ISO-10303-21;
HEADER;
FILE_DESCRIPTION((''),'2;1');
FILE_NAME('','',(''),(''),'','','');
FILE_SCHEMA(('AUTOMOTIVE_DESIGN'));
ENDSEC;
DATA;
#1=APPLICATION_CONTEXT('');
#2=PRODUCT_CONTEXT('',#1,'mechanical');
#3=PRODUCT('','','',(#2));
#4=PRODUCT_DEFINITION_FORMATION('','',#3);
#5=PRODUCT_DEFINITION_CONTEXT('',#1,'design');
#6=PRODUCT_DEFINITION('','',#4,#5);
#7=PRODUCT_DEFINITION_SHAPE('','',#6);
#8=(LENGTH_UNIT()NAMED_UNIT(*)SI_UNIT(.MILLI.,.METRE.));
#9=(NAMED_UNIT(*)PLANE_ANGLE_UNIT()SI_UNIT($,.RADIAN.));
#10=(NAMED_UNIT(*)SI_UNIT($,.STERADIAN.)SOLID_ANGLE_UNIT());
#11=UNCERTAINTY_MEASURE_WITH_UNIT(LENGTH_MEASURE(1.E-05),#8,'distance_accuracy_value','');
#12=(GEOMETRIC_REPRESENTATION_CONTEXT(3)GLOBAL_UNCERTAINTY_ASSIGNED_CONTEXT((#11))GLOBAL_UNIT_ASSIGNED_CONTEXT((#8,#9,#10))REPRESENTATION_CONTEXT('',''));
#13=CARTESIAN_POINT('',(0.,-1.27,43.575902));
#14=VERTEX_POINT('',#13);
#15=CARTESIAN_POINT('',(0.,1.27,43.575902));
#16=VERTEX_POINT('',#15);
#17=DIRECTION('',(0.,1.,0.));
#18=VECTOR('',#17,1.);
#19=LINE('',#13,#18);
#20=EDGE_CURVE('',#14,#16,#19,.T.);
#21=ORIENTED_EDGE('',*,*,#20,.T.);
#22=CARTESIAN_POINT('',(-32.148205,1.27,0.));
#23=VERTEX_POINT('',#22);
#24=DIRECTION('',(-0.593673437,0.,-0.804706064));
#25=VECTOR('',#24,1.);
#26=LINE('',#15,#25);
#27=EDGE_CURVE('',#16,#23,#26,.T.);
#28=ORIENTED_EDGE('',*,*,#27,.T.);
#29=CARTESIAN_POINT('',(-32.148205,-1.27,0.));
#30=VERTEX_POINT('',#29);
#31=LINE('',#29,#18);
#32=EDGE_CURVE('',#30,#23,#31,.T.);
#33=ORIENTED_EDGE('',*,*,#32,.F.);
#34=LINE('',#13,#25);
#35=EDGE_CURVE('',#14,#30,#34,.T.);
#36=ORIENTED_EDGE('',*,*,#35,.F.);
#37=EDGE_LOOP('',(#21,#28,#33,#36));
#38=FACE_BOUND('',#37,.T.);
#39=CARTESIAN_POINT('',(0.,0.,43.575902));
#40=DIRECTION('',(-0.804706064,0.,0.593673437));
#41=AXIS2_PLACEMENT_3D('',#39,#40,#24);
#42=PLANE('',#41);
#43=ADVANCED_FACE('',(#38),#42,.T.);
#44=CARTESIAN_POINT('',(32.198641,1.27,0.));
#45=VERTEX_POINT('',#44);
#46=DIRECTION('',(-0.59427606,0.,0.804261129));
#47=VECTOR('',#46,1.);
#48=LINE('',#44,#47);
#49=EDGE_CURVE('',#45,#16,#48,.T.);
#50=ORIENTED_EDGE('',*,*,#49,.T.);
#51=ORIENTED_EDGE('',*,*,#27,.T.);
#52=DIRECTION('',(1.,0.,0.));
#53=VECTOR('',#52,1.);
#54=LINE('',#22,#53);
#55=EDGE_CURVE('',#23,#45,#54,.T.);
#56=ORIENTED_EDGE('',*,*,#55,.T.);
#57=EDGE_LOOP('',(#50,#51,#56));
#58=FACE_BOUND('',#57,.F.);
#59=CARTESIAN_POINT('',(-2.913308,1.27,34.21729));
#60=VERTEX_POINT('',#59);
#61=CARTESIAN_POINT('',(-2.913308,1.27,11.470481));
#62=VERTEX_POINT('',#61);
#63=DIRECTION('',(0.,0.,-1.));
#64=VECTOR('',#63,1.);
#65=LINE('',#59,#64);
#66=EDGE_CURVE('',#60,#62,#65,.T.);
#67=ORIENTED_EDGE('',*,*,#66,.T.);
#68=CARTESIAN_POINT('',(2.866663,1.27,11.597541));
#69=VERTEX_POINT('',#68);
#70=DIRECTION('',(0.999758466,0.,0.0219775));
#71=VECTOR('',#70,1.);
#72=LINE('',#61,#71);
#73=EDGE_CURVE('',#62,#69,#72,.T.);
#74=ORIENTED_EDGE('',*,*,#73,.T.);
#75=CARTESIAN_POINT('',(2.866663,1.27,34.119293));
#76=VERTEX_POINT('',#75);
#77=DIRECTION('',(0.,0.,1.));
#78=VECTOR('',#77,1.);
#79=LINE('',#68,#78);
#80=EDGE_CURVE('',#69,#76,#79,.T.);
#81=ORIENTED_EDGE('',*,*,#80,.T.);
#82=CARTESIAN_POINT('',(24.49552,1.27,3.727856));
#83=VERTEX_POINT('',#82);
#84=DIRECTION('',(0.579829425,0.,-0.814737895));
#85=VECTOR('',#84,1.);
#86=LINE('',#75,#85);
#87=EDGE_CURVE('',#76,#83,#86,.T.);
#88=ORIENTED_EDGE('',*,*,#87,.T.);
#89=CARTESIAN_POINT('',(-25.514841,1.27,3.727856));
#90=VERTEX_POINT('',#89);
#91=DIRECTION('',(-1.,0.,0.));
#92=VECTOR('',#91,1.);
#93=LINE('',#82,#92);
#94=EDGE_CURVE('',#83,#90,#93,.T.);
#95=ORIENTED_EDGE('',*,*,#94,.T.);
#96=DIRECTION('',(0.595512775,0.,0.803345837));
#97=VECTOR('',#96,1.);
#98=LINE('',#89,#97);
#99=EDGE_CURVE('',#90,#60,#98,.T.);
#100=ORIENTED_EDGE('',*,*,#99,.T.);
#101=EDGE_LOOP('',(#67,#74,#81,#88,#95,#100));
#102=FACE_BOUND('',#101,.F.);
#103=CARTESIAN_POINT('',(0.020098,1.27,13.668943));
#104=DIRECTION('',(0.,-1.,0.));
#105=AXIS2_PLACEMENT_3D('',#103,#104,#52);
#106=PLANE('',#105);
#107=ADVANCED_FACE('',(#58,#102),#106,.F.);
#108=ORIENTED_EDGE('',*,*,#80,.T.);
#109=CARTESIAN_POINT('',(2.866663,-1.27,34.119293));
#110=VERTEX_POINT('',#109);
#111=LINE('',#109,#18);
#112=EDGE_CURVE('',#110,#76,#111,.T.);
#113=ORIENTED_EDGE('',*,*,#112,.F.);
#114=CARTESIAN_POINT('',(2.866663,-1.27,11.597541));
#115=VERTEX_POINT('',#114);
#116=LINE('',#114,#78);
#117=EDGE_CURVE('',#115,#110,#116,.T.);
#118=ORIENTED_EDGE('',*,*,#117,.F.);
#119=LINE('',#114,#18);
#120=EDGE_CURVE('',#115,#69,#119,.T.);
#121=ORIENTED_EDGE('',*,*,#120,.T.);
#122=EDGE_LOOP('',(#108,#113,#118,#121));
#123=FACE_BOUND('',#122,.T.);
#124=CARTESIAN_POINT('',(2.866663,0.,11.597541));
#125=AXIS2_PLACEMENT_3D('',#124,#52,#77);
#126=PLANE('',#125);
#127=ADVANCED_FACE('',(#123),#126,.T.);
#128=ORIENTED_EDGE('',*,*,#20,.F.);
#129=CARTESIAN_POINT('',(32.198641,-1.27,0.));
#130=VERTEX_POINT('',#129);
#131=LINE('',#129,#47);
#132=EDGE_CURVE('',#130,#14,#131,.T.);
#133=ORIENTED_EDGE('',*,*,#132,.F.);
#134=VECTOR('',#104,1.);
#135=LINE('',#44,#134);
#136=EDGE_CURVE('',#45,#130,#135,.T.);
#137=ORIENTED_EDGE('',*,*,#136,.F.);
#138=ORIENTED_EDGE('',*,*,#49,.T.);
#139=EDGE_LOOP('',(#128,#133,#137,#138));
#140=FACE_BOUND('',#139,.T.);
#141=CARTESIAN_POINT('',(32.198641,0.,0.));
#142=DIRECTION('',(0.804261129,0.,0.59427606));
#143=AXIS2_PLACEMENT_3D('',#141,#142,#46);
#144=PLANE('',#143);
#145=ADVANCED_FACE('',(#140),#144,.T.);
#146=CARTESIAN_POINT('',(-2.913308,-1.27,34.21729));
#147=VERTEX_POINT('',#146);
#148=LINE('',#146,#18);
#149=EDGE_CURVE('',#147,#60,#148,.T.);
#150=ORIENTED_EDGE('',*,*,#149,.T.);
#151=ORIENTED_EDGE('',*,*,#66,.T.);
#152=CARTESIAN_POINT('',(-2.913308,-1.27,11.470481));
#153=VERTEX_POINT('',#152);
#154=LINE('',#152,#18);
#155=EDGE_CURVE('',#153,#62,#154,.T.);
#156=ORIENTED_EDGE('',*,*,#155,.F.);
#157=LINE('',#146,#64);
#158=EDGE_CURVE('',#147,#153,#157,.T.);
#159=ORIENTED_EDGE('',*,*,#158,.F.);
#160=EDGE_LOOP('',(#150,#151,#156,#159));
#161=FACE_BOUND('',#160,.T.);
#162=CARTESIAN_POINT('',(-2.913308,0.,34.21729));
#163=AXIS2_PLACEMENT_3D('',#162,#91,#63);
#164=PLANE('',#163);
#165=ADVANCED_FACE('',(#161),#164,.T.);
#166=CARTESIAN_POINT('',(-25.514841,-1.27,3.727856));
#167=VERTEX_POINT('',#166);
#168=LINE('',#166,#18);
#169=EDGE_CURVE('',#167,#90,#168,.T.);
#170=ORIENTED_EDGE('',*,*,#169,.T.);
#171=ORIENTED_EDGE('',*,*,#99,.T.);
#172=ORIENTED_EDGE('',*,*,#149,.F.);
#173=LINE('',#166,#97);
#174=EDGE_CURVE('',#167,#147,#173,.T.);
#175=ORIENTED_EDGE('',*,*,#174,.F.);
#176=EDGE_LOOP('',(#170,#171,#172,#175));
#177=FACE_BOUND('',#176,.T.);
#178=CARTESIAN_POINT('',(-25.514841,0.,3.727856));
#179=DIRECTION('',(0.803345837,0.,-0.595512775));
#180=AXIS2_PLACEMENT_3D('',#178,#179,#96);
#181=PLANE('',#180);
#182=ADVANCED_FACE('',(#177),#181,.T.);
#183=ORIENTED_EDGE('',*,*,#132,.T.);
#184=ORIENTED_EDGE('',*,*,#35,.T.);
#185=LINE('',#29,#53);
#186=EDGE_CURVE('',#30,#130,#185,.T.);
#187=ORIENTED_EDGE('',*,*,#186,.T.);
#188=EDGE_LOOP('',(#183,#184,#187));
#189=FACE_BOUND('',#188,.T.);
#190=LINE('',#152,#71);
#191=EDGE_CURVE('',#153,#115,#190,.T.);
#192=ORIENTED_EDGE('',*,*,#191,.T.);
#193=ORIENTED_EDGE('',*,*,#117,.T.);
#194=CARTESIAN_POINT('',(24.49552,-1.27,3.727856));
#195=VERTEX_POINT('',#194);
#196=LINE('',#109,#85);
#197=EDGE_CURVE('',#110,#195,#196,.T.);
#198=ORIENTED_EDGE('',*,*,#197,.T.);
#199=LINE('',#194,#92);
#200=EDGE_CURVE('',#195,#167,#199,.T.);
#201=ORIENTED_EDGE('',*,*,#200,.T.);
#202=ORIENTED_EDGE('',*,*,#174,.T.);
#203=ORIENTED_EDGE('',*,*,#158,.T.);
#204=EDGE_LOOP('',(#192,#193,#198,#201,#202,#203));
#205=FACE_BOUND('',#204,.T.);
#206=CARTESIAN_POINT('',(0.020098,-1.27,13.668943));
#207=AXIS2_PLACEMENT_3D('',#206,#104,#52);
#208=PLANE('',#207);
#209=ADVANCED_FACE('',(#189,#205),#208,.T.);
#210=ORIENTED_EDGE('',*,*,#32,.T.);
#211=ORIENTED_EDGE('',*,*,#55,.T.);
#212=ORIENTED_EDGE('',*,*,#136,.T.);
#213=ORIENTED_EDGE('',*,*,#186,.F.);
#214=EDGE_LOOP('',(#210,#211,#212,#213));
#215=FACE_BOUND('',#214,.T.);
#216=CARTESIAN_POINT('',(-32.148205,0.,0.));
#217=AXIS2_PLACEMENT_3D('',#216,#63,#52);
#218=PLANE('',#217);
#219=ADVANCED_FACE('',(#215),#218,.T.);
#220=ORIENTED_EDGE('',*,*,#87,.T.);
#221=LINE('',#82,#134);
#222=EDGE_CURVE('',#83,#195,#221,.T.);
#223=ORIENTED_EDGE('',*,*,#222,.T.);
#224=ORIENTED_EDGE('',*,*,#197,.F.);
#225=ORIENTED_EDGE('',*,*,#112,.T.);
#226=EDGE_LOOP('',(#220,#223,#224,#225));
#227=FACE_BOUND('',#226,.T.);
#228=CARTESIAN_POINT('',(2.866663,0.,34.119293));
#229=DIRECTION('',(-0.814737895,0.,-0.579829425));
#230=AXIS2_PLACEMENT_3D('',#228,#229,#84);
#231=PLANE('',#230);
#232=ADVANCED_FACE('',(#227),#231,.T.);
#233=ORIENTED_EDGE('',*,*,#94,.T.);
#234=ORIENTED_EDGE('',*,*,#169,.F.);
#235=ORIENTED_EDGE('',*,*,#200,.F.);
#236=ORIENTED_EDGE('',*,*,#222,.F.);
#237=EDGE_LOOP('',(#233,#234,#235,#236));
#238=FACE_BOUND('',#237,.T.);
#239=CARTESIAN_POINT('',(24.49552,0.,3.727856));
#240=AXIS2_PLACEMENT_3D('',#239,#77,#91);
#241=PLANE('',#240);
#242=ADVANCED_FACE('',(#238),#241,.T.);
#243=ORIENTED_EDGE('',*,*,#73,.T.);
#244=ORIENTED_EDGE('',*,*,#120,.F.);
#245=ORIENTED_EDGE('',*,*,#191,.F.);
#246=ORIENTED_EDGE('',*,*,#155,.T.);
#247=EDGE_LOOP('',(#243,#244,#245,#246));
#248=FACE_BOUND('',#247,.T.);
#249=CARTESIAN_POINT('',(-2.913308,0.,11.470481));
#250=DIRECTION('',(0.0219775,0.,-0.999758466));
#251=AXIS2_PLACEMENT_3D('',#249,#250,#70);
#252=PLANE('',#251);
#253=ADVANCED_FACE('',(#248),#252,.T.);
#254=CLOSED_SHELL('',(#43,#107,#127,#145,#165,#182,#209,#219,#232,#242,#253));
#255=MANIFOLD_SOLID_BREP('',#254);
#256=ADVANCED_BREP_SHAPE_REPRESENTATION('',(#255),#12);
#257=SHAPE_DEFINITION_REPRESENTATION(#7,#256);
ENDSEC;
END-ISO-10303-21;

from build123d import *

# Parameters (mm, degrees)
F1_DEPTH = 1.27


with BuildPart() as f1:
    # F0 (on Front) → F1 (new body, symmetric)
    with BuildSketch(Plane.XZ):
        Polygon((-32.148205, 0), (0, 0), (32.198641, 0), (0, 43.575902), align=None)
        Polygon((24.49552, 3.727856), (-25.514841, 3.727856), (-2.913308, 34.21729), (-2.913308, 11.470481), (2.866663, 11.597541), (2.866663, 34.119293), align=None, mode=Mode.SUBTRACT)
    extrude(amount=F1_DEPTH, both=True)


solid = f1.part
